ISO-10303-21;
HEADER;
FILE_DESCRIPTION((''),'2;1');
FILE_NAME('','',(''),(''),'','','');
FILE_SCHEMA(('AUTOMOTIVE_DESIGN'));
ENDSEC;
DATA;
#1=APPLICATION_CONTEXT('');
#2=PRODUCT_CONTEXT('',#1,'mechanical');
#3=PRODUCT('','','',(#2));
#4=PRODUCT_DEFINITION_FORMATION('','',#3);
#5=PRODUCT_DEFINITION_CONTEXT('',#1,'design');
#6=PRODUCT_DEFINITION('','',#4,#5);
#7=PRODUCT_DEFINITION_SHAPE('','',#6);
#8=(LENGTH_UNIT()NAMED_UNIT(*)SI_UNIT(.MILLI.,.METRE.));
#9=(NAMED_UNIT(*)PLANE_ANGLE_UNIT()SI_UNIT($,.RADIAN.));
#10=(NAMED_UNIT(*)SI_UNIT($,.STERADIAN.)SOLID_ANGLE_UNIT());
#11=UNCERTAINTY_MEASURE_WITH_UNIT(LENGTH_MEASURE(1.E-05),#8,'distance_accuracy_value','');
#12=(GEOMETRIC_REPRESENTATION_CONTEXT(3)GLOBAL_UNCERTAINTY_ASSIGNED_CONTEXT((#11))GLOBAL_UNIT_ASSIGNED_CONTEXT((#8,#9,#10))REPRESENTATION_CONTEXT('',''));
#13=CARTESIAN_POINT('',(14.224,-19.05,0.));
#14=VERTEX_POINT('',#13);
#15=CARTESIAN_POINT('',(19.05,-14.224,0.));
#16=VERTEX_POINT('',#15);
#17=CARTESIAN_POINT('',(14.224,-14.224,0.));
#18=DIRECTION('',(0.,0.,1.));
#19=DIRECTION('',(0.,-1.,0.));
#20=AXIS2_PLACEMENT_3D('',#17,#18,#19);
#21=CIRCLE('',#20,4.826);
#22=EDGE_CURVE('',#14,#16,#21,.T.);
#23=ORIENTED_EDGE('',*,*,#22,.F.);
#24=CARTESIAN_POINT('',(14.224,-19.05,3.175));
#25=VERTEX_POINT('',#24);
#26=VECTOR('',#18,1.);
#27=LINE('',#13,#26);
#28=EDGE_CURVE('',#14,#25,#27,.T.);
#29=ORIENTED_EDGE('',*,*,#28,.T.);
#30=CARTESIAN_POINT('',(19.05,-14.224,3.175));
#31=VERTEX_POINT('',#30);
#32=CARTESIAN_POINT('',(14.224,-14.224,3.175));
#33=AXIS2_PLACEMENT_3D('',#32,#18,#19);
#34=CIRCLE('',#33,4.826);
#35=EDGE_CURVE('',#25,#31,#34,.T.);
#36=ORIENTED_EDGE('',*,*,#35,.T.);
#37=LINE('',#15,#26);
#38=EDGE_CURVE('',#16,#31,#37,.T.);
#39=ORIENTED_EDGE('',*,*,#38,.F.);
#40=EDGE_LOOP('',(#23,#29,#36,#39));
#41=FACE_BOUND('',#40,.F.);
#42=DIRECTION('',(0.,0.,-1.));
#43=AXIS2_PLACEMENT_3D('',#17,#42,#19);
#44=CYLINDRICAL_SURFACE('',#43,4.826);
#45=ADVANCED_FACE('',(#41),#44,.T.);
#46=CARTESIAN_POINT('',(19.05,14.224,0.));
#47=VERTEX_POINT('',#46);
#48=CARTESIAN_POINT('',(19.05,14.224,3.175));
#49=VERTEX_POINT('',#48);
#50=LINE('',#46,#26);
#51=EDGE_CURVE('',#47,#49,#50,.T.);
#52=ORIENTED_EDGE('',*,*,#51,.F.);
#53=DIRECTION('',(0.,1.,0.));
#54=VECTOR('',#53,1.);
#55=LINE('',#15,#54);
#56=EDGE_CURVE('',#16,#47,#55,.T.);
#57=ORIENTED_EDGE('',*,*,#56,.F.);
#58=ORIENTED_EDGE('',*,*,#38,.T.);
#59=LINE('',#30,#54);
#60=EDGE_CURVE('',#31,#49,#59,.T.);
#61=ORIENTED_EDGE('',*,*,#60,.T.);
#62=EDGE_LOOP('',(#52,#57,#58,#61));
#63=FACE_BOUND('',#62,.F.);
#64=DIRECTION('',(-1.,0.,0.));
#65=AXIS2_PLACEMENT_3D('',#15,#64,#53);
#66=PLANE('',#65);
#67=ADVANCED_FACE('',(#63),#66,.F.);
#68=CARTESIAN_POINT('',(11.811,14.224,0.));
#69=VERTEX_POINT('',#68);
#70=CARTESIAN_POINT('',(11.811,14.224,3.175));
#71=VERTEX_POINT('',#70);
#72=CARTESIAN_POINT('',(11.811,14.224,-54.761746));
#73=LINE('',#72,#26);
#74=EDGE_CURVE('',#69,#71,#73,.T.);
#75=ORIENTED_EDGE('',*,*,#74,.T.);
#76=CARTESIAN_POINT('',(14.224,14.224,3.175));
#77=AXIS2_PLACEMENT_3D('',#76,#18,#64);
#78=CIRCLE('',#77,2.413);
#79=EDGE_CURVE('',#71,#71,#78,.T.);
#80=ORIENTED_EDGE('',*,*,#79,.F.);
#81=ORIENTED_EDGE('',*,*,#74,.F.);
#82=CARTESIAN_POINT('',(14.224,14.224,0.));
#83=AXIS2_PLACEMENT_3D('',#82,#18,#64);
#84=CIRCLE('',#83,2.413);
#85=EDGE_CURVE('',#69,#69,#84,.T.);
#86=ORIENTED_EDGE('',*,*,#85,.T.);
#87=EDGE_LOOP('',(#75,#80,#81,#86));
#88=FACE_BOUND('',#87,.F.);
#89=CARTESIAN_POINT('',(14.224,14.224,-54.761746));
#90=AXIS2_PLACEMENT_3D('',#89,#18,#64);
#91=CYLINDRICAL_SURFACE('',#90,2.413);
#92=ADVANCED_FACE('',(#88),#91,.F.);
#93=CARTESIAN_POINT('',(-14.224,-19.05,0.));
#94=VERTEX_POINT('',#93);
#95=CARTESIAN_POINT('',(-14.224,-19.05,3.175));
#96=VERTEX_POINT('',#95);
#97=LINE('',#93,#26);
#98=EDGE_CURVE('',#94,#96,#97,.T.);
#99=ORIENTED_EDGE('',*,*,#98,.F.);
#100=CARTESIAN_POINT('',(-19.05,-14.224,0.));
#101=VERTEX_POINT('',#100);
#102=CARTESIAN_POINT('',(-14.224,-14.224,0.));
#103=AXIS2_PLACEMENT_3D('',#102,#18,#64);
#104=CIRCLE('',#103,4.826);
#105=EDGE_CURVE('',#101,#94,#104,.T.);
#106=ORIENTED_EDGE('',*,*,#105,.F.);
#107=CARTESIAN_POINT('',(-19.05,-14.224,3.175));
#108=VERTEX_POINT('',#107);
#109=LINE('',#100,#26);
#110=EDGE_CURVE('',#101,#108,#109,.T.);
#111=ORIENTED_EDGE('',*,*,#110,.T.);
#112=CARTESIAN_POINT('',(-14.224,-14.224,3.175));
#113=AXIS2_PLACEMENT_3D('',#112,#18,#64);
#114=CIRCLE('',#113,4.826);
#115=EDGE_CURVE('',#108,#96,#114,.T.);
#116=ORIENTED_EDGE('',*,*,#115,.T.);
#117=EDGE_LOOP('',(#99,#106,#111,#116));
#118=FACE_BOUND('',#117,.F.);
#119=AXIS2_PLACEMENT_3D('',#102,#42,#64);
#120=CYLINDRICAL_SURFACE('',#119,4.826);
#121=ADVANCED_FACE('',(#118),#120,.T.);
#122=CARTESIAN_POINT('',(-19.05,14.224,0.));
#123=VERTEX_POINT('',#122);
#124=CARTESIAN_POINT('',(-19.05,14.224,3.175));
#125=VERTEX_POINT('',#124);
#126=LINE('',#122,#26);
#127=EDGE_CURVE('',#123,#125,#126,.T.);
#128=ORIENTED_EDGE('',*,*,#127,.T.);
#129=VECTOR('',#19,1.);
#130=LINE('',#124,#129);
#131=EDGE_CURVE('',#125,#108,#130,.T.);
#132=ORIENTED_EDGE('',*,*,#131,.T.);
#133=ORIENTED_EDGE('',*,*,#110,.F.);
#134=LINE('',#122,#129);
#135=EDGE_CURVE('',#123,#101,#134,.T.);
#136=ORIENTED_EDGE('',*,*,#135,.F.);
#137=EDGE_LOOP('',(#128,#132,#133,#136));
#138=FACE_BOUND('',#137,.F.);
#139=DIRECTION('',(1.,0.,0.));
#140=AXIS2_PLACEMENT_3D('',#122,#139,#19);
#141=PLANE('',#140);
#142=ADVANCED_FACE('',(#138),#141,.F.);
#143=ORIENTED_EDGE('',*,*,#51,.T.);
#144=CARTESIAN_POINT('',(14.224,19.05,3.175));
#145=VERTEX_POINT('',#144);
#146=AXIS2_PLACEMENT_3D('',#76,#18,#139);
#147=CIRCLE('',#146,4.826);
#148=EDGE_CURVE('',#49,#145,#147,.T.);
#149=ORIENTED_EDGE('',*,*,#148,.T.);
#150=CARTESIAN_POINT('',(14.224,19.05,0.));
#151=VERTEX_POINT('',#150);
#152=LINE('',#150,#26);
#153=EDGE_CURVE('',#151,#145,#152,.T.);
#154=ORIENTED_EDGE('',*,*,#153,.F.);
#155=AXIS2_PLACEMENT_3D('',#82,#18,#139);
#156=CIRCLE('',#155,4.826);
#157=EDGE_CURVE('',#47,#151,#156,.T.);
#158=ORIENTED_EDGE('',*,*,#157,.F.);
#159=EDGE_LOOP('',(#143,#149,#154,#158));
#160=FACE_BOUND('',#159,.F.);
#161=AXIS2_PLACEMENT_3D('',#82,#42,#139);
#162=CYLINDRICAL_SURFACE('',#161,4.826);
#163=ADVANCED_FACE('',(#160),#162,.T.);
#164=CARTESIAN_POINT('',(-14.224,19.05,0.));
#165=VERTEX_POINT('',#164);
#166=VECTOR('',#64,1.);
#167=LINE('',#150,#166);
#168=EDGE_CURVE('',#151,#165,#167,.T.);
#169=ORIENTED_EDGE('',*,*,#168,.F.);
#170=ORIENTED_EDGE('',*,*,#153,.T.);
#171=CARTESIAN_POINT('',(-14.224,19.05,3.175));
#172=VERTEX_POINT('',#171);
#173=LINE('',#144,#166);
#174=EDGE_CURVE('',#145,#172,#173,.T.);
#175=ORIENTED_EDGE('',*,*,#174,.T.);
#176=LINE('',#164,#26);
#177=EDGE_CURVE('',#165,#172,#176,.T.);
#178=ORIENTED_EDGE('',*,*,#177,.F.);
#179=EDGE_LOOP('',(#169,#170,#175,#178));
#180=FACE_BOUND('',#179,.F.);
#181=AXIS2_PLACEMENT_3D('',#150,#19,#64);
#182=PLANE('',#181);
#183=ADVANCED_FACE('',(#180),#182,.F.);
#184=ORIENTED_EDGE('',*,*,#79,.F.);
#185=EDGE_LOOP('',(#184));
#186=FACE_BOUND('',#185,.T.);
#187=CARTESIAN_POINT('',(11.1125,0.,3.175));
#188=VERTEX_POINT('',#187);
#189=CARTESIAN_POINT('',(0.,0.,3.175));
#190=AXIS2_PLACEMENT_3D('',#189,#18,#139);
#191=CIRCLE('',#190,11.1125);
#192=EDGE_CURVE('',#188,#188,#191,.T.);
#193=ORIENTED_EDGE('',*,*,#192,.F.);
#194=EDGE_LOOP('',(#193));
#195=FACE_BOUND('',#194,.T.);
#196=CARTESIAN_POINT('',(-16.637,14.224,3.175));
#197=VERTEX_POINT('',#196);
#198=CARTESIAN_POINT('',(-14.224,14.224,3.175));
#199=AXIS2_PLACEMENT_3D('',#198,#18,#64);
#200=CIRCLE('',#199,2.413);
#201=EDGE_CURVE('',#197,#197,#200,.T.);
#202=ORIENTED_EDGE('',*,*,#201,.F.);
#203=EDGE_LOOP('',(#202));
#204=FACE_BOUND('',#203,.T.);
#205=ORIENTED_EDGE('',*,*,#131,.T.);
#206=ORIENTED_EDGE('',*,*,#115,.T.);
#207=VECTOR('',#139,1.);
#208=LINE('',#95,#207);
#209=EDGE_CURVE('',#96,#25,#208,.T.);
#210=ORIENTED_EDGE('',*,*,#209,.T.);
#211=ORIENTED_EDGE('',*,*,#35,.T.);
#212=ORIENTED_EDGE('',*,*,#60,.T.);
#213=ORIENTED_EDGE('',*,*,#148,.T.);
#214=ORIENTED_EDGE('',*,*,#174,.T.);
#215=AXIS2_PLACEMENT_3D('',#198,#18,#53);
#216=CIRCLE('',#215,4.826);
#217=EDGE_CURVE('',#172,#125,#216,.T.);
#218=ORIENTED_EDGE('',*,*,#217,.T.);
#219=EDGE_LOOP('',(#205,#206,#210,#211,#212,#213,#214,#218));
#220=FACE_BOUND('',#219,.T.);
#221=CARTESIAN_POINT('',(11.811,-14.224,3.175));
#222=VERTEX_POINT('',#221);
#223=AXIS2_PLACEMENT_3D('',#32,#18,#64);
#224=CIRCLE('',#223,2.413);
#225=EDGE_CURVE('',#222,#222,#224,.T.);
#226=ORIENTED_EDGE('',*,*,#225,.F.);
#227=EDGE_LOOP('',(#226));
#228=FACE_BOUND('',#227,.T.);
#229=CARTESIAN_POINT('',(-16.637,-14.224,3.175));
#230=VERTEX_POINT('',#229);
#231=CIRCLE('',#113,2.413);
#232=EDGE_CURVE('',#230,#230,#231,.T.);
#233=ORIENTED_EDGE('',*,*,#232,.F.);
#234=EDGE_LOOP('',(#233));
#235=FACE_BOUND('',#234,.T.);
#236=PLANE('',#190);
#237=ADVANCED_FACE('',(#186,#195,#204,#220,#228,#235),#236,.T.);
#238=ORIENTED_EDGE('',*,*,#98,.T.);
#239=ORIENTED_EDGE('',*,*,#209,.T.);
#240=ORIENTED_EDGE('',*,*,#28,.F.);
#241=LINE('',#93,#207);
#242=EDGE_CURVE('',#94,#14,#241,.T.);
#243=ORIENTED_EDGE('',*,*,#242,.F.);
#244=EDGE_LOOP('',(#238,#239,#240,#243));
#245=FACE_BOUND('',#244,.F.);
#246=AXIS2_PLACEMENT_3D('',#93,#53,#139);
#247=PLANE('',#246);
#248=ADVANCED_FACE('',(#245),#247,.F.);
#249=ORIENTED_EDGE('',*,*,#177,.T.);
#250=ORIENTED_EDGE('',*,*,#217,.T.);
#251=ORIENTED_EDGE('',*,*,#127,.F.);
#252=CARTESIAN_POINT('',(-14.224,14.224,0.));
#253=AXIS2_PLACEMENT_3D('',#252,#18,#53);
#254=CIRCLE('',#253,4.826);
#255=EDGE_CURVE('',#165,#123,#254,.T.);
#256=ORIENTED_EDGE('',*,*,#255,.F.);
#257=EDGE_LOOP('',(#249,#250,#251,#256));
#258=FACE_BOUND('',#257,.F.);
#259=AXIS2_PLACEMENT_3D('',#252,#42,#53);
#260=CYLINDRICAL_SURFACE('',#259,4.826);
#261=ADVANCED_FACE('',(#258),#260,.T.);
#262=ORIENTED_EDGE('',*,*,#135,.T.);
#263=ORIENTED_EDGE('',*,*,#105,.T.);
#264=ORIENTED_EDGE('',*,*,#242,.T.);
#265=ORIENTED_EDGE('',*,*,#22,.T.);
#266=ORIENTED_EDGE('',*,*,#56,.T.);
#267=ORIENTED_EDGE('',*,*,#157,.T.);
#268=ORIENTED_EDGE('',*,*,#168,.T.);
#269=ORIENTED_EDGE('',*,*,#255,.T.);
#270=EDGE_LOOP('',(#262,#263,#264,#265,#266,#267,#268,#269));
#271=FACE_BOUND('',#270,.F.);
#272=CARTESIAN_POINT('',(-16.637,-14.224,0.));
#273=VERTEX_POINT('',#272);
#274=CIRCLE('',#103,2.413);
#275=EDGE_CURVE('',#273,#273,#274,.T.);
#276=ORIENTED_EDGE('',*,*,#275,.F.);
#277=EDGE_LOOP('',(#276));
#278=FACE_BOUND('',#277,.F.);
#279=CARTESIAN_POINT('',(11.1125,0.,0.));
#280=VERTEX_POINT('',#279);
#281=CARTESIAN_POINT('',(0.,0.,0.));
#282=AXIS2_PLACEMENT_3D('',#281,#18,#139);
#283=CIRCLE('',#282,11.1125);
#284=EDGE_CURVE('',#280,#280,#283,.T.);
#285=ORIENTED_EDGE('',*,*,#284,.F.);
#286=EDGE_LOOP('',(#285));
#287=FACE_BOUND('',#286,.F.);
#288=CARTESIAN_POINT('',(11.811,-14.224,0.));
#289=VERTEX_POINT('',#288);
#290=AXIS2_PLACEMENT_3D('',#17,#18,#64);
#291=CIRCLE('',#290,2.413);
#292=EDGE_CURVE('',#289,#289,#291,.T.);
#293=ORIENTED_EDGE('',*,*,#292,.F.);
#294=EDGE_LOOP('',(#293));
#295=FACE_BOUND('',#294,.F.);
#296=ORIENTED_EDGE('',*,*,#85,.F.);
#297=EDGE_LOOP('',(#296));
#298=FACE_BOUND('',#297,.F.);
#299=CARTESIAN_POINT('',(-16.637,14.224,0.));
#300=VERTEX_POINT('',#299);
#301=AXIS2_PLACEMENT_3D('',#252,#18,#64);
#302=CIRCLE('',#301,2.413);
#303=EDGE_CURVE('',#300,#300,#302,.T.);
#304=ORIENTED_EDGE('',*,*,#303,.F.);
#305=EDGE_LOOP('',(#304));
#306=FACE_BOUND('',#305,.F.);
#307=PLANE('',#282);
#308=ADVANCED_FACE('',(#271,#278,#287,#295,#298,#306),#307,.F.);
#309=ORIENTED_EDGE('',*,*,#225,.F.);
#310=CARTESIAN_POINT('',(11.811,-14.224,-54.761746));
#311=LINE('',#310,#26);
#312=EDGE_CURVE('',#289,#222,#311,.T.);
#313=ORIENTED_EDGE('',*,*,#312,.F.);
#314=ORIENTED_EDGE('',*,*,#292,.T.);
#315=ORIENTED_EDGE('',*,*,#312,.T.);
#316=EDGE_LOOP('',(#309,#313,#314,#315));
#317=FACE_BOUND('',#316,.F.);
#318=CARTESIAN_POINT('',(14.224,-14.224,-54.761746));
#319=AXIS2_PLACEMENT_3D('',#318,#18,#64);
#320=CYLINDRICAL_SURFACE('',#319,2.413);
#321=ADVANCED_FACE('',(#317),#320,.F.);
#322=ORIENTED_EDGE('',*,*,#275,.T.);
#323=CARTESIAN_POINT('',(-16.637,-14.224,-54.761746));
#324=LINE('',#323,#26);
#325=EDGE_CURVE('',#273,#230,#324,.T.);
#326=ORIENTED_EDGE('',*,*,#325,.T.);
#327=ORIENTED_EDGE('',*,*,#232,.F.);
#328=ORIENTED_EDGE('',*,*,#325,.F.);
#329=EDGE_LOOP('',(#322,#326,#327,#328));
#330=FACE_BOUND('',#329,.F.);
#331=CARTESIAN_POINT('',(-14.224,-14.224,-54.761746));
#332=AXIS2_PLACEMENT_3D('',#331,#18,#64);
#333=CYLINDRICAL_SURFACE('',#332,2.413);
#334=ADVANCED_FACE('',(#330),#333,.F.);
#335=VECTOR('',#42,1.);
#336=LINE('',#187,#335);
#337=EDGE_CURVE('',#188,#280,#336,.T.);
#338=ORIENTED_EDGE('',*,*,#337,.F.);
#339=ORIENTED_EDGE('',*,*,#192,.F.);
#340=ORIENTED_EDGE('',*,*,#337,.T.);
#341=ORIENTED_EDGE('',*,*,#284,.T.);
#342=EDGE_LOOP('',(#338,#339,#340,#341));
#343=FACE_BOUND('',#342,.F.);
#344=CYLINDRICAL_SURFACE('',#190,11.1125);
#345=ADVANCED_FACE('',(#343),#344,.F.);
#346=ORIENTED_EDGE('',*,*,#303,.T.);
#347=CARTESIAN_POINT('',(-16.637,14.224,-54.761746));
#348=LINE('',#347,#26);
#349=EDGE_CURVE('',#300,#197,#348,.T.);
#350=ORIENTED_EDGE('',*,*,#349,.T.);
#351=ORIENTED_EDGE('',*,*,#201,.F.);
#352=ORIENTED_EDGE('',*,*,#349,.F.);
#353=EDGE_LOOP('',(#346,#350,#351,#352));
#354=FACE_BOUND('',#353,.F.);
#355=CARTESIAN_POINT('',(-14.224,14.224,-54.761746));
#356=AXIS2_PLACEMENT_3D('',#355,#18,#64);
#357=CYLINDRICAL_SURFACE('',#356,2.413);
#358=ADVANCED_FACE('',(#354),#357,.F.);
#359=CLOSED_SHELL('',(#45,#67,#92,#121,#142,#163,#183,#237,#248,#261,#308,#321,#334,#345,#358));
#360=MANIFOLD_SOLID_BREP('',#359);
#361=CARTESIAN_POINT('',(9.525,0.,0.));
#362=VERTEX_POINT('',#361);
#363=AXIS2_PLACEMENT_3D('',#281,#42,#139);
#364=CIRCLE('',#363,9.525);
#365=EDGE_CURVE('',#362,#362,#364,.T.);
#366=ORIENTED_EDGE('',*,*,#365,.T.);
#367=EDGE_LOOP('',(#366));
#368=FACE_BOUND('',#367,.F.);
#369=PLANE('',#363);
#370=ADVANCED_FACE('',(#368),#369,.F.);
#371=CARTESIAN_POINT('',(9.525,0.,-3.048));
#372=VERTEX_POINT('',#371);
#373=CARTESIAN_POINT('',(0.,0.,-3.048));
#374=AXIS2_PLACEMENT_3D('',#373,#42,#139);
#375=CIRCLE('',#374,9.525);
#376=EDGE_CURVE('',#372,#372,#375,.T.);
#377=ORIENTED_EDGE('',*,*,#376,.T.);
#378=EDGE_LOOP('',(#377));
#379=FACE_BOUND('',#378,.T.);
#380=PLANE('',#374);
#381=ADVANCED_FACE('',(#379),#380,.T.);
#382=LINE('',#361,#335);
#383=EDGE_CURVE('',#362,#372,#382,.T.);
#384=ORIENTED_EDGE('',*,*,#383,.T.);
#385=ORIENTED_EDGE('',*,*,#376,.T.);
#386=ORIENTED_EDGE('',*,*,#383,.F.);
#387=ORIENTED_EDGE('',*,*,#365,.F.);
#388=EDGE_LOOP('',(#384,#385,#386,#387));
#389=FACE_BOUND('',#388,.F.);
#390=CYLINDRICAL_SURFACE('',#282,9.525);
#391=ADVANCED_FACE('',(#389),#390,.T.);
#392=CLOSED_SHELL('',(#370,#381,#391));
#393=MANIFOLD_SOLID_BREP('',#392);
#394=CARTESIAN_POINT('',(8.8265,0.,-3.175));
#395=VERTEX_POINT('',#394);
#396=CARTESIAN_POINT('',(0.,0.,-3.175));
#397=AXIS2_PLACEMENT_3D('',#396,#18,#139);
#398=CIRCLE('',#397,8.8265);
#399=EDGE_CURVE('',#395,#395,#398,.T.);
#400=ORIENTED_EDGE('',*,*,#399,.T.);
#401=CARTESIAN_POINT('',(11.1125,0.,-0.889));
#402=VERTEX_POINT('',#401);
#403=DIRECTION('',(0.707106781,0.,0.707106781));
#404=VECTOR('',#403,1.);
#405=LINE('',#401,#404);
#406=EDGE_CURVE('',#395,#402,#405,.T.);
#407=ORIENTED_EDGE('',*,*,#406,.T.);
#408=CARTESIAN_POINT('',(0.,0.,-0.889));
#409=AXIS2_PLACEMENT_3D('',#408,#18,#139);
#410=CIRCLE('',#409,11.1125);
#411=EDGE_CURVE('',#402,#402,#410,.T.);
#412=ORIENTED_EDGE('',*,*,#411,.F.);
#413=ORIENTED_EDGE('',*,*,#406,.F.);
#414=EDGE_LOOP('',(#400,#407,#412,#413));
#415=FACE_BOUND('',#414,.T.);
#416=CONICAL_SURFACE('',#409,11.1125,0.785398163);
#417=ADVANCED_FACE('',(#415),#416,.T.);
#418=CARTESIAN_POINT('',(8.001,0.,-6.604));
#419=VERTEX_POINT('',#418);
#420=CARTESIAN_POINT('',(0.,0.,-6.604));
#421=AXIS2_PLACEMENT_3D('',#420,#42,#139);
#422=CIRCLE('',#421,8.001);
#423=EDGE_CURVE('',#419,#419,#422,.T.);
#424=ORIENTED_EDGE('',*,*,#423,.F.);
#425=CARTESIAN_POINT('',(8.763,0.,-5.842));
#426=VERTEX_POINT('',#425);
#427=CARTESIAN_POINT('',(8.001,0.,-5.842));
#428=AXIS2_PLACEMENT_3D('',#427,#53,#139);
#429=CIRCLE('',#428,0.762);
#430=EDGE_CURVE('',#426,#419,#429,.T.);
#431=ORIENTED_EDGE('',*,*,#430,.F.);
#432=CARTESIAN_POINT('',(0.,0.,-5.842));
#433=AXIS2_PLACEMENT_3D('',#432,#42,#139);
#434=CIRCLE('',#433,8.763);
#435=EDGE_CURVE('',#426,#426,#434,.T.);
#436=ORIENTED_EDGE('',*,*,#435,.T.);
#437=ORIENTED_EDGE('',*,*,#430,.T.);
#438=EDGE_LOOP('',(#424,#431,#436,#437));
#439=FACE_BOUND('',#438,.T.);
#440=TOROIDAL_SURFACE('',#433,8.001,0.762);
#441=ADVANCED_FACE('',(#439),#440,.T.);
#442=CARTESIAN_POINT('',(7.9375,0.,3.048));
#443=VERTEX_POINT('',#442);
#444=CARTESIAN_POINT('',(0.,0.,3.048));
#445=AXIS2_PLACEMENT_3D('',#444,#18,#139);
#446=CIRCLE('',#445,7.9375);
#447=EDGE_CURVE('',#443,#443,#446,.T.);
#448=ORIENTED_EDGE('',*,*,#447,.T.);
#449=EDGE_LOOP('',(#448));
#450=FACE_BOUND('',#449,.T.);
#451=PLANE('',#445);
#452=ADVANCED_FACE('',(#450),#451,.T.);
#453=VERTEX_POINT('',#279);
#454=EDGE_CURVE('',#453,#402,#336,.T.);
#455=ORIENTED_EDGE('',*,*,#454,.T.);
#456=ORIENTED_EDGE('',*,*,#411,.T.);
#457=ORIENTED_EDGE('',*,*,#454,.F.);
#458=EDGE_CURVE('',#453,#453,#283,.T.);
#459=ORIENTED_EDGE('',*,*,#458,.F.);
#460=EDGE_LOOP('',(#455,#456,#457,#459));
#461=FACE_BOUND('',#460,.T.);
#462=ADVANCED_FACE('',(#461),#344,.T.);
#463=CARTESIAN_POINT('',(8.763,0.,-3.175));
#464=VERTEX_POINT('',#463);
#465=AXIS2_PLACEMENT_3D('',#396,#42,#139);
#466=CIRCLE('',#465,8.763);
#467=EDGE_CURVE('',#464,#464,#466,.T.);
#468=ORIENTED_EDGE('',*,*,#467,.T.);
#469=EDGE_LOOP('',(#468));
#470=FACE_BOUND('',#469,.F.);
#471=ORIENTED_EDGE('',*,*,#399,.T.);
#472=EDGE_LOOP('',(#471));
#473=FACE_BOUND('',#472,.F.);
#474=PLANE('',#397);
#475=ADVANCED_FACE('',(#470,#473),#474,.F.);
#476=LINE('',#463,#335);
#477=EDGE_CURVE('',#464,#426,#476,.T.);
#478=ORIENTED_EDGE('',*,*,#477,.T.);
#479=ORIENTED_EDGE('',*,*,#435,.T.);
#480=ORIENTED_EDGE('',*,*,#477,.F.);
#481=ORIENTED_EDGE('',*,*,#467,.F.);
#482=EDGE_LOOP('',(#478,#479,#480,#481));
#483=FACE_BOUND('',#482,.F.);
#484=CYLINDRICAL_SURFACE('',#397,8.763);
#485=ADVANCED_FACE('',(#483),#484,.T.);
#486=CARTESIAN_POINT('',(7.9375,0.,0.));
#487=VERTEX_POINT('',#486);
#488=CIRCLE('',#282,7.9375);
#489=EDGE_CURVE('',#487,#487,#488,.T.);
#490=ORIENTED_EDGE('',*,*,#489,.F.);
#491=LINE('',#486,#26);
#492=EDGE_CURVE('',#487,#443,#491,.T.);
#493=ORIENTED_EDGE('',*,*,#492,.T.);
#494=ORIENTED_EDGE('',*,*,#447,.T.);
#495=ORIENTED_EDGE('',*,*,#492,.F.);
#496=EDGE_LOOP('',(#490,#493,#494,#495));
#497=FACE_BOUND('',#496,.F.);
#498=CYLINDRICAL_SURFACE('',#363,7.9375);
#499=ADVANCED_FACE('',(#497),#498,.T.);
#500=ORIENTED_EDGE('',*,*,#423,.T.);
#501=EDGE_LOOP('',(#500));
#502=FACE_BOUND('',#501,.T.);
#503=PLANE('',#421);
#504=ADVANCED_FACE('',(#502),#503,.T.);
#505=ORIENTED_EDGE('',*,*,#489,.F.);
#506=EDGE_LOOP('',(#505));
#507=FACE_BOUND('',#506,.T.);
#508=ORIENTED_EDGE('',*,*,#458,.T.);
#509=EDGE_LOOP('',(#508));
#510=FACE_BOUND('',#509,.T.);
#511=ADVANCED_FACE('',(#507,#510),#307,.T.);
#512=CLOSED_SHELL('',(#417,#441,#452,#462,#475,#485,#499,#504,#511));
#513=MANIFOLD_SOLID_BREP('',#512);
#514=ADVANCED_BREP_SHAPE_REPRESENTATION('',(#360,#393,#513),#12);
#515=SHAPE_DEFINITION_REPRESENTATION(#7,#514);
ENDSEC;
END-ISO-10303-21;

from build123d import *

# Parameters (mm, degrees)
F1_DEPTH  = 3.175
F2_R      = 11.1125
F3_DEPTH  = 6.35
F4_R      = 11.1125
F5_DEPTH  = 3.175
F6_R      = 9.525
F7_DEPTH  = 3.048
F8_R      = 7.9375
F9_DEPTH  = 3.048
F10_R     = 8.763
F11_DEPTH = 3.429
F12_R     = 0.762
F13_SIZE  = 2.286
F14_D     = 4.826


with BuildPart() as f1:
    # F0 (on Top) → F1 (new body)
    with BuildSketch(Plane.XY):
        with BuildLine():
            ThreePointArc((19.05, 14.224), (17.636497326, 17.636497326), (14.224, 19.05))
            Line((14.224, 19.05), (9.398, 19.05))
            Line((9.398, 19.05), (-14.224, 19.05))
            ThreePointArc((-14.224, 19.05), (-17.636497326, 17.636497326), (-19.05, 14.224))
            Line((-19.05, 14.224), (-19.05, 9.398))
            Line((-19.05, 9.398), (-19.05, -14.224))
            ThreePointArc((-19.05, -14.224), (-17.636497326, -17.636497326), (-14.224, -19.05))
            Line((-14.224, -19.05), (-9.398, -19.05))
            Line((-9.398, -19.05), (9.398, -19.05))
            Line((9.398, -19.05), (14.224, -19.05))
            ThreePointArc((14.224, -19.05), (17.636497326, -17.636497326), (19.05, -14.224))
            Line((19.05, -14.224), (19.05, 14.224))
        make_face()
    extrude(amount=F1_DEPTH)

    # F2 (on face) → F3 (join)
    with BuildSketch(Plane.XY.offset(3.175)):
        Circle(F2_R)
    extrude(amount=-F3_DEPTH)

    # F4 (on face) → F5 (cut)
    with BuildSketch(Plane.XY.offset(3.175)):
        Circle(F4_R)
    extrude(amount=-F5_DEPTH, mode=Mode.SUBTRACT)

    # F8 (on face) → F9 (join)
    with BuildSketch(Plane.XY):
        Circle(F8_R)
    extrude(amount=F9_DEPTH)

    # F10 (on face) → F11 (join)
    with BuildSketch(Plane(origin=(0, 0, -3.175), x_dir=(1, 0, 0), z_dir=(0, 0, -1))):
        Circle(F10_R)
    extrude(amount=F11_DEPTH)

    # F12
    f12_edges = [f1.edges().sort_by_distance(p)[0] for p in [
        (-8.763, 0, -6.604),
    ]]
    fillet(f12_edges, radius=F12_R)

    # F13
    f13_edges = [f1.edges().sort_by_distance(p)[0] for p in [
        (-11.1125, 0, -3.175),
    ]]
    chamfer(f13_edges, length=F13_SIZE)

    # F14 (through all)
    with Locations(Plane(origin=(0, 0, 0), x_dir=(1, 0, 0), z_dir=(0, 0, -1))):
        with Locations((14.224, 14.224), (-14.224, 14.224), (-14.224, -14.224), (14.224, -14.224)):
            Hole(F14_D / 2)


with BuildPart() as f7:
    # F6 (on face) → F7 (new body)
    with BuildSketch(Plane(origin=(0, 0, 0), x_dir=(1, 0, 0), z_dir=(0, 0, -1))):
        Circle(F6_R)
    extrude(amount=F7_DEPTH)


solid = Compound([f1.part, f7.part])
